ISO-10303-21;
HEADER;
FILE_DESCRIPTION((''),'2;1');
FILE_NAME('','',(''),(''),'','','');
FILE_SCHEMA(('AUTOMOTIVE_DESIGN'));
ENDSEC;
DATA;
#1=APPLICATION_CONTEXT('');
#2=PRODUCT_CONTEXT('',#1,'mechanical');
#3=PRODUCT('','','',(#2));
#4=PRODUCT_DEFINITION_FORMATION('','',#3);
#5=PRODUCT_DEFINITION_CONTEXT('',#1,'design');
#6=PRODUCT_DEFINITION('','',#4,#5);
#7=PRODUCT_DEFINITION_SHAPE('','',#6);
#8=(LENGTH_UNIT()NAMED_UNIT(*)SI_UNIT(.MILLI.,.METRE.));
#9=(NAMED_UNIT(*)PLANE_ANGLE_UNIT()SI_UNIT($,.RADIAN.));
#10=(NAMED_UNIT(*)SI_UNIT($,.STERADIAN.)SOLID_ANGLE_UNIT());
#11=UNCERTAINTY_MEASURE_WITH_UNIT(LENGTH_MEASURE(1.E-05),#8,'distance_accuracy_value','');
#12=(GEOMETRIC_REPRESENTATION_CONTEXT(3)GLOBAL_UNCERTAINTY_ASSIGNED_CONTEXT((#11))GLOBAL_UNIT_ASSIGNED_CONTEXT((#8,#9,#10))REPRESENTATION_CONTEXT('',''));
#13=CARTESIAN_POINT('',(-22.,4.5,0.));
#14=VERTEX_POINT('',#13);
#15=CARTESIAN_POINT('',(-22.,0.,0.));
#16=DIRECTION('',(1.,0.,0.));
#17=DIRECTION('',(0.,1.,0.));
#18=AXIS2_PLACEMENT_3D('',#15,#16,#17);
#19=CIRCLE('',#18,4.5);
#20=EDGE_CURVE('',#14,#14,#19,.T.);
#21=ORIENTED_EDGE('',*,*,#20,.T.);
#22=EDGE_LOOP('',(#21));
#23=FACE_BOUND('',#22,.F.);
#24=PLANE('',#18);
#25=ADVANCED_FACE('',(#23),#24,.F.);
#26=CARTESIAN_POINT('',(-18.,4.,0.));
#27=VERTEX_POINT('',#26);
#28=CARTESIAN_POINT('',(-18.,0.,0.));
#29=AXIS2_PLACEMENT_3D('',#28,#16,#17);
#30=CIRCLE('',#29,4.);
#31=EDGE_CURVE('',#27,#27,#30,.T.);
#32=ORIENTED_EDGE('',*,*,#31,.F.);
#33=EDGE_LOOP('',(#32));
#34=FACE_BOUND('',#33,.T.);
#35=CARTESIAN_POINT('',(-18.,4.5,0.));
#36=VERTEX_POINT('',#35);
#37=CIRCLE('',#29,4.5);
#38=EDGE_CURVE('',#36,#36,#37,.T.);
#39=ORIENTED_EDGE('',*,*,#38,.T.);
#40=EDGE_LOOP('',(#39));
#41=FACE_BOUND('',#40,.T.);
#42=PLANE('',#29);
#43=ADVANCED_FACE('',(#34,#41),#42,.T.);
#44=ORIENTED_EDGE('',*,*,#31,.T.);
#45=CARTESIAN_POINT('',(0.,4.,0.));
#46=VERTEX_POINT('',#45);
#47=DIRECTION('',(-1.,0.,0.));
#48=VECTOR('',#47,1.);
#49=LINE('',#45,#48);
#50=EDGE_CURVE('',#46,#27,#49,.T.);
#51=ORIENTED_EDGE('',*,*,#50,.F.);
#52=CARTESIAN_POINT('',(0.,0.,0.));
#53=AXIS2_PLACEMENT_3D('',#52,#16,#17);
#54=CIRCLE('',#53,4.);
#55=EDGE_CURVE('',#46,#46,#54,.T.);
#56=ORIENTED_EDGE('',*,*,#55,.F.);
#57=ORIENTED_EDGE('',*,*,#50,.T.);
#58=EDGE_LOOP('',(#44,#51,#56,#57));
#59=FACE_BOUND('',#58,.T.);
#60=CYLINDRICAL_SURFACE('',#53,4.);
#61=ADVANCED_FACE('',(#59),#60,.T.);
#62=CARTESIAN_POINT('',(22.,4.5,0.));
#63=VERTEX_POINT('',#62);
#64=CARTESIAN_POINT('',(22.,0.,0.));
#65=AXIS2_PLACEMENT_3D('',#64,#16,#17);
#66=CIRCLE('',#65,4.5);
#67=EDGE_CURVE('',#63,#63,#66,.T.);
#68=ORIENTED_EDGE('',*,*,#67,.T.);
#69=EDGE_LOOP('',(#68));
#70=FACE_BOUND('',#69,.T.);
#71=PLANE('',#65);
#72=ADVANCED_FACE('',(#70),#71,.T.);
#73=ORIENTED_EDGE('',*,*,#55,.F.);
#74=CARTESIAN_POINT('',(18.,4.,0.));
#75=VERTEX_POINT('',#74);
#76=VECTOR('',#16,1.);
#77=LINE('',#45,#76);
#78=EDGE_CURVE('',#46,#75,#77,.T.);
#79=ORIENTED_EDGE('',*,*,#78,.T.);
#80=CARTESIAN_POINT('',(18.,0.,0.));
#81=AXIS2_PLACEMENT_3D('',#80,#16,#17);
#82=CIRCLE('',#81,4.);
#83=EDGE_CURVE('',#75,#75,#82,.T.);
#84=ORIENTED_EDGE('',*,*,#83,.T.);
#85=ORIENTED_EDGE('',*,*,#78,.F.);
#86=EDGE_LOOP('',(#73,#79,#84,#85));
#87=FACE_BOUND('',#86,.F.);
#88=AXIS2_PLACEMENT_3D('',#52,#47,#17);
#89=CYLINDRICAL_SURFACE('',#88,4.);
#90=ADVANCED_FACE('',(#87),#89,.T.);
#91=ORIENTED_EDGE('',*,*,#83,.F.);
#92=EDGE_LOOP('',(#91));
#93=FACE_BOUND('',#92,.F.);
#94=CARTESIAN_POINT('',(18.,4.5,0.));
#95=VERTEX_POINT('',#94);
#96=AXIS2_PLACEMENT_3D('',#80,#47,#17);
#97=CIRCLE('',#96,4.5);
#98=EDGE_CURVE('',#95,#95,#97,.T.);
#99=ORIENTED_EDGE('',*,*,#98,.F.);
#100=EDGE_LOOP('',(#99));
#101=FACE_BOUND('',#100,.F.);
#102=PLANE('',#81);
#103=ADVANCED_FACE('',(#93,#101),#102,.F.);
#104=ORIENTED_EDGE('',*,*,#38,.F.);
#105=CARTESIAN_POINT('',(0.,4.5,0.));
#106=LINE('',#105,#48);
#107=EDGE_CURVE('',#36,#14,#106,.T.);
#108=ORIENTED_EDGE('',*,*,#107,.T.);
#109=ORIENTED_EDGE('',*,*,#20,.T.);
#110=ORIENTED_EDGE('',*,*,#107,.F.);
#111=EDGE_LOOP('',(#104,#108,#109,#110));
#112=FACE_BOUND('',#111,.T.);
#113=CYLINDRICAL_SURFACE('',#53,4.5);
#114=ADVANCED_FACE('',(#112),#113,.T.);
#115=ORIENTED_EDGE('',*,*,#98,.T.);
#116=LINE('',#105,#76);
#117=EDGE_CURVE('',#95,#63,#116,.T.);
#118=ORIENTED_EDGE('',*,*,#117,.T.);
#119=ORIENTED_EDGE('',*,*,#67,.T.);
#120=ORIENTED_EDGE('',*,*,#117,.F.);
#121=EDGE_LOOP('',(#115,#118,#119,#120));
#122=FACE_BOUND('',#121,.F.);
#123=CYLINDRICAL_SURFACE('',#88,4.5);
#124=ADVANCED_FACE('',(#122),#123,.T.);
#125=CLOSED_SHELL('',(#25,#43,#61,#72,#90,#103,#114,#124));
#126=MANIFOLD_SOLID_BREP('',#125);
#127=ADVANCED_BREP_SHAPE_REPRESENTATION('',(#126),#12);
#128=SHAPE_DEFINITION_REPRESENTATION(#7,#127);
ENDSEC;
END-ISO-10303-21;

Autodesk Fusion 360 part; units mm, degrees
sketch "Sketch1" plane through (0, 0, 0) normal (1, 0, 0) x (0, 1, 0)
  circle A0 centre (0, 0) radius 4.5
  dimension "d1" = 9
extrude "Extrude1" add sketch "Sketch1" along normal mid plane 44
sketch "Sketch3" plane through (0, 0, 0) normal (1, 0, 0) x (0, 1, 0)
  circle A0 centre (0, 0) radius 4
  circle A1 centre (0, 0) radius 5
  dimension "d7" = 8
  dimension "d8" = 10
extrude "Extrude2" cut sketch "Sketch3" along normal mid plane 36
